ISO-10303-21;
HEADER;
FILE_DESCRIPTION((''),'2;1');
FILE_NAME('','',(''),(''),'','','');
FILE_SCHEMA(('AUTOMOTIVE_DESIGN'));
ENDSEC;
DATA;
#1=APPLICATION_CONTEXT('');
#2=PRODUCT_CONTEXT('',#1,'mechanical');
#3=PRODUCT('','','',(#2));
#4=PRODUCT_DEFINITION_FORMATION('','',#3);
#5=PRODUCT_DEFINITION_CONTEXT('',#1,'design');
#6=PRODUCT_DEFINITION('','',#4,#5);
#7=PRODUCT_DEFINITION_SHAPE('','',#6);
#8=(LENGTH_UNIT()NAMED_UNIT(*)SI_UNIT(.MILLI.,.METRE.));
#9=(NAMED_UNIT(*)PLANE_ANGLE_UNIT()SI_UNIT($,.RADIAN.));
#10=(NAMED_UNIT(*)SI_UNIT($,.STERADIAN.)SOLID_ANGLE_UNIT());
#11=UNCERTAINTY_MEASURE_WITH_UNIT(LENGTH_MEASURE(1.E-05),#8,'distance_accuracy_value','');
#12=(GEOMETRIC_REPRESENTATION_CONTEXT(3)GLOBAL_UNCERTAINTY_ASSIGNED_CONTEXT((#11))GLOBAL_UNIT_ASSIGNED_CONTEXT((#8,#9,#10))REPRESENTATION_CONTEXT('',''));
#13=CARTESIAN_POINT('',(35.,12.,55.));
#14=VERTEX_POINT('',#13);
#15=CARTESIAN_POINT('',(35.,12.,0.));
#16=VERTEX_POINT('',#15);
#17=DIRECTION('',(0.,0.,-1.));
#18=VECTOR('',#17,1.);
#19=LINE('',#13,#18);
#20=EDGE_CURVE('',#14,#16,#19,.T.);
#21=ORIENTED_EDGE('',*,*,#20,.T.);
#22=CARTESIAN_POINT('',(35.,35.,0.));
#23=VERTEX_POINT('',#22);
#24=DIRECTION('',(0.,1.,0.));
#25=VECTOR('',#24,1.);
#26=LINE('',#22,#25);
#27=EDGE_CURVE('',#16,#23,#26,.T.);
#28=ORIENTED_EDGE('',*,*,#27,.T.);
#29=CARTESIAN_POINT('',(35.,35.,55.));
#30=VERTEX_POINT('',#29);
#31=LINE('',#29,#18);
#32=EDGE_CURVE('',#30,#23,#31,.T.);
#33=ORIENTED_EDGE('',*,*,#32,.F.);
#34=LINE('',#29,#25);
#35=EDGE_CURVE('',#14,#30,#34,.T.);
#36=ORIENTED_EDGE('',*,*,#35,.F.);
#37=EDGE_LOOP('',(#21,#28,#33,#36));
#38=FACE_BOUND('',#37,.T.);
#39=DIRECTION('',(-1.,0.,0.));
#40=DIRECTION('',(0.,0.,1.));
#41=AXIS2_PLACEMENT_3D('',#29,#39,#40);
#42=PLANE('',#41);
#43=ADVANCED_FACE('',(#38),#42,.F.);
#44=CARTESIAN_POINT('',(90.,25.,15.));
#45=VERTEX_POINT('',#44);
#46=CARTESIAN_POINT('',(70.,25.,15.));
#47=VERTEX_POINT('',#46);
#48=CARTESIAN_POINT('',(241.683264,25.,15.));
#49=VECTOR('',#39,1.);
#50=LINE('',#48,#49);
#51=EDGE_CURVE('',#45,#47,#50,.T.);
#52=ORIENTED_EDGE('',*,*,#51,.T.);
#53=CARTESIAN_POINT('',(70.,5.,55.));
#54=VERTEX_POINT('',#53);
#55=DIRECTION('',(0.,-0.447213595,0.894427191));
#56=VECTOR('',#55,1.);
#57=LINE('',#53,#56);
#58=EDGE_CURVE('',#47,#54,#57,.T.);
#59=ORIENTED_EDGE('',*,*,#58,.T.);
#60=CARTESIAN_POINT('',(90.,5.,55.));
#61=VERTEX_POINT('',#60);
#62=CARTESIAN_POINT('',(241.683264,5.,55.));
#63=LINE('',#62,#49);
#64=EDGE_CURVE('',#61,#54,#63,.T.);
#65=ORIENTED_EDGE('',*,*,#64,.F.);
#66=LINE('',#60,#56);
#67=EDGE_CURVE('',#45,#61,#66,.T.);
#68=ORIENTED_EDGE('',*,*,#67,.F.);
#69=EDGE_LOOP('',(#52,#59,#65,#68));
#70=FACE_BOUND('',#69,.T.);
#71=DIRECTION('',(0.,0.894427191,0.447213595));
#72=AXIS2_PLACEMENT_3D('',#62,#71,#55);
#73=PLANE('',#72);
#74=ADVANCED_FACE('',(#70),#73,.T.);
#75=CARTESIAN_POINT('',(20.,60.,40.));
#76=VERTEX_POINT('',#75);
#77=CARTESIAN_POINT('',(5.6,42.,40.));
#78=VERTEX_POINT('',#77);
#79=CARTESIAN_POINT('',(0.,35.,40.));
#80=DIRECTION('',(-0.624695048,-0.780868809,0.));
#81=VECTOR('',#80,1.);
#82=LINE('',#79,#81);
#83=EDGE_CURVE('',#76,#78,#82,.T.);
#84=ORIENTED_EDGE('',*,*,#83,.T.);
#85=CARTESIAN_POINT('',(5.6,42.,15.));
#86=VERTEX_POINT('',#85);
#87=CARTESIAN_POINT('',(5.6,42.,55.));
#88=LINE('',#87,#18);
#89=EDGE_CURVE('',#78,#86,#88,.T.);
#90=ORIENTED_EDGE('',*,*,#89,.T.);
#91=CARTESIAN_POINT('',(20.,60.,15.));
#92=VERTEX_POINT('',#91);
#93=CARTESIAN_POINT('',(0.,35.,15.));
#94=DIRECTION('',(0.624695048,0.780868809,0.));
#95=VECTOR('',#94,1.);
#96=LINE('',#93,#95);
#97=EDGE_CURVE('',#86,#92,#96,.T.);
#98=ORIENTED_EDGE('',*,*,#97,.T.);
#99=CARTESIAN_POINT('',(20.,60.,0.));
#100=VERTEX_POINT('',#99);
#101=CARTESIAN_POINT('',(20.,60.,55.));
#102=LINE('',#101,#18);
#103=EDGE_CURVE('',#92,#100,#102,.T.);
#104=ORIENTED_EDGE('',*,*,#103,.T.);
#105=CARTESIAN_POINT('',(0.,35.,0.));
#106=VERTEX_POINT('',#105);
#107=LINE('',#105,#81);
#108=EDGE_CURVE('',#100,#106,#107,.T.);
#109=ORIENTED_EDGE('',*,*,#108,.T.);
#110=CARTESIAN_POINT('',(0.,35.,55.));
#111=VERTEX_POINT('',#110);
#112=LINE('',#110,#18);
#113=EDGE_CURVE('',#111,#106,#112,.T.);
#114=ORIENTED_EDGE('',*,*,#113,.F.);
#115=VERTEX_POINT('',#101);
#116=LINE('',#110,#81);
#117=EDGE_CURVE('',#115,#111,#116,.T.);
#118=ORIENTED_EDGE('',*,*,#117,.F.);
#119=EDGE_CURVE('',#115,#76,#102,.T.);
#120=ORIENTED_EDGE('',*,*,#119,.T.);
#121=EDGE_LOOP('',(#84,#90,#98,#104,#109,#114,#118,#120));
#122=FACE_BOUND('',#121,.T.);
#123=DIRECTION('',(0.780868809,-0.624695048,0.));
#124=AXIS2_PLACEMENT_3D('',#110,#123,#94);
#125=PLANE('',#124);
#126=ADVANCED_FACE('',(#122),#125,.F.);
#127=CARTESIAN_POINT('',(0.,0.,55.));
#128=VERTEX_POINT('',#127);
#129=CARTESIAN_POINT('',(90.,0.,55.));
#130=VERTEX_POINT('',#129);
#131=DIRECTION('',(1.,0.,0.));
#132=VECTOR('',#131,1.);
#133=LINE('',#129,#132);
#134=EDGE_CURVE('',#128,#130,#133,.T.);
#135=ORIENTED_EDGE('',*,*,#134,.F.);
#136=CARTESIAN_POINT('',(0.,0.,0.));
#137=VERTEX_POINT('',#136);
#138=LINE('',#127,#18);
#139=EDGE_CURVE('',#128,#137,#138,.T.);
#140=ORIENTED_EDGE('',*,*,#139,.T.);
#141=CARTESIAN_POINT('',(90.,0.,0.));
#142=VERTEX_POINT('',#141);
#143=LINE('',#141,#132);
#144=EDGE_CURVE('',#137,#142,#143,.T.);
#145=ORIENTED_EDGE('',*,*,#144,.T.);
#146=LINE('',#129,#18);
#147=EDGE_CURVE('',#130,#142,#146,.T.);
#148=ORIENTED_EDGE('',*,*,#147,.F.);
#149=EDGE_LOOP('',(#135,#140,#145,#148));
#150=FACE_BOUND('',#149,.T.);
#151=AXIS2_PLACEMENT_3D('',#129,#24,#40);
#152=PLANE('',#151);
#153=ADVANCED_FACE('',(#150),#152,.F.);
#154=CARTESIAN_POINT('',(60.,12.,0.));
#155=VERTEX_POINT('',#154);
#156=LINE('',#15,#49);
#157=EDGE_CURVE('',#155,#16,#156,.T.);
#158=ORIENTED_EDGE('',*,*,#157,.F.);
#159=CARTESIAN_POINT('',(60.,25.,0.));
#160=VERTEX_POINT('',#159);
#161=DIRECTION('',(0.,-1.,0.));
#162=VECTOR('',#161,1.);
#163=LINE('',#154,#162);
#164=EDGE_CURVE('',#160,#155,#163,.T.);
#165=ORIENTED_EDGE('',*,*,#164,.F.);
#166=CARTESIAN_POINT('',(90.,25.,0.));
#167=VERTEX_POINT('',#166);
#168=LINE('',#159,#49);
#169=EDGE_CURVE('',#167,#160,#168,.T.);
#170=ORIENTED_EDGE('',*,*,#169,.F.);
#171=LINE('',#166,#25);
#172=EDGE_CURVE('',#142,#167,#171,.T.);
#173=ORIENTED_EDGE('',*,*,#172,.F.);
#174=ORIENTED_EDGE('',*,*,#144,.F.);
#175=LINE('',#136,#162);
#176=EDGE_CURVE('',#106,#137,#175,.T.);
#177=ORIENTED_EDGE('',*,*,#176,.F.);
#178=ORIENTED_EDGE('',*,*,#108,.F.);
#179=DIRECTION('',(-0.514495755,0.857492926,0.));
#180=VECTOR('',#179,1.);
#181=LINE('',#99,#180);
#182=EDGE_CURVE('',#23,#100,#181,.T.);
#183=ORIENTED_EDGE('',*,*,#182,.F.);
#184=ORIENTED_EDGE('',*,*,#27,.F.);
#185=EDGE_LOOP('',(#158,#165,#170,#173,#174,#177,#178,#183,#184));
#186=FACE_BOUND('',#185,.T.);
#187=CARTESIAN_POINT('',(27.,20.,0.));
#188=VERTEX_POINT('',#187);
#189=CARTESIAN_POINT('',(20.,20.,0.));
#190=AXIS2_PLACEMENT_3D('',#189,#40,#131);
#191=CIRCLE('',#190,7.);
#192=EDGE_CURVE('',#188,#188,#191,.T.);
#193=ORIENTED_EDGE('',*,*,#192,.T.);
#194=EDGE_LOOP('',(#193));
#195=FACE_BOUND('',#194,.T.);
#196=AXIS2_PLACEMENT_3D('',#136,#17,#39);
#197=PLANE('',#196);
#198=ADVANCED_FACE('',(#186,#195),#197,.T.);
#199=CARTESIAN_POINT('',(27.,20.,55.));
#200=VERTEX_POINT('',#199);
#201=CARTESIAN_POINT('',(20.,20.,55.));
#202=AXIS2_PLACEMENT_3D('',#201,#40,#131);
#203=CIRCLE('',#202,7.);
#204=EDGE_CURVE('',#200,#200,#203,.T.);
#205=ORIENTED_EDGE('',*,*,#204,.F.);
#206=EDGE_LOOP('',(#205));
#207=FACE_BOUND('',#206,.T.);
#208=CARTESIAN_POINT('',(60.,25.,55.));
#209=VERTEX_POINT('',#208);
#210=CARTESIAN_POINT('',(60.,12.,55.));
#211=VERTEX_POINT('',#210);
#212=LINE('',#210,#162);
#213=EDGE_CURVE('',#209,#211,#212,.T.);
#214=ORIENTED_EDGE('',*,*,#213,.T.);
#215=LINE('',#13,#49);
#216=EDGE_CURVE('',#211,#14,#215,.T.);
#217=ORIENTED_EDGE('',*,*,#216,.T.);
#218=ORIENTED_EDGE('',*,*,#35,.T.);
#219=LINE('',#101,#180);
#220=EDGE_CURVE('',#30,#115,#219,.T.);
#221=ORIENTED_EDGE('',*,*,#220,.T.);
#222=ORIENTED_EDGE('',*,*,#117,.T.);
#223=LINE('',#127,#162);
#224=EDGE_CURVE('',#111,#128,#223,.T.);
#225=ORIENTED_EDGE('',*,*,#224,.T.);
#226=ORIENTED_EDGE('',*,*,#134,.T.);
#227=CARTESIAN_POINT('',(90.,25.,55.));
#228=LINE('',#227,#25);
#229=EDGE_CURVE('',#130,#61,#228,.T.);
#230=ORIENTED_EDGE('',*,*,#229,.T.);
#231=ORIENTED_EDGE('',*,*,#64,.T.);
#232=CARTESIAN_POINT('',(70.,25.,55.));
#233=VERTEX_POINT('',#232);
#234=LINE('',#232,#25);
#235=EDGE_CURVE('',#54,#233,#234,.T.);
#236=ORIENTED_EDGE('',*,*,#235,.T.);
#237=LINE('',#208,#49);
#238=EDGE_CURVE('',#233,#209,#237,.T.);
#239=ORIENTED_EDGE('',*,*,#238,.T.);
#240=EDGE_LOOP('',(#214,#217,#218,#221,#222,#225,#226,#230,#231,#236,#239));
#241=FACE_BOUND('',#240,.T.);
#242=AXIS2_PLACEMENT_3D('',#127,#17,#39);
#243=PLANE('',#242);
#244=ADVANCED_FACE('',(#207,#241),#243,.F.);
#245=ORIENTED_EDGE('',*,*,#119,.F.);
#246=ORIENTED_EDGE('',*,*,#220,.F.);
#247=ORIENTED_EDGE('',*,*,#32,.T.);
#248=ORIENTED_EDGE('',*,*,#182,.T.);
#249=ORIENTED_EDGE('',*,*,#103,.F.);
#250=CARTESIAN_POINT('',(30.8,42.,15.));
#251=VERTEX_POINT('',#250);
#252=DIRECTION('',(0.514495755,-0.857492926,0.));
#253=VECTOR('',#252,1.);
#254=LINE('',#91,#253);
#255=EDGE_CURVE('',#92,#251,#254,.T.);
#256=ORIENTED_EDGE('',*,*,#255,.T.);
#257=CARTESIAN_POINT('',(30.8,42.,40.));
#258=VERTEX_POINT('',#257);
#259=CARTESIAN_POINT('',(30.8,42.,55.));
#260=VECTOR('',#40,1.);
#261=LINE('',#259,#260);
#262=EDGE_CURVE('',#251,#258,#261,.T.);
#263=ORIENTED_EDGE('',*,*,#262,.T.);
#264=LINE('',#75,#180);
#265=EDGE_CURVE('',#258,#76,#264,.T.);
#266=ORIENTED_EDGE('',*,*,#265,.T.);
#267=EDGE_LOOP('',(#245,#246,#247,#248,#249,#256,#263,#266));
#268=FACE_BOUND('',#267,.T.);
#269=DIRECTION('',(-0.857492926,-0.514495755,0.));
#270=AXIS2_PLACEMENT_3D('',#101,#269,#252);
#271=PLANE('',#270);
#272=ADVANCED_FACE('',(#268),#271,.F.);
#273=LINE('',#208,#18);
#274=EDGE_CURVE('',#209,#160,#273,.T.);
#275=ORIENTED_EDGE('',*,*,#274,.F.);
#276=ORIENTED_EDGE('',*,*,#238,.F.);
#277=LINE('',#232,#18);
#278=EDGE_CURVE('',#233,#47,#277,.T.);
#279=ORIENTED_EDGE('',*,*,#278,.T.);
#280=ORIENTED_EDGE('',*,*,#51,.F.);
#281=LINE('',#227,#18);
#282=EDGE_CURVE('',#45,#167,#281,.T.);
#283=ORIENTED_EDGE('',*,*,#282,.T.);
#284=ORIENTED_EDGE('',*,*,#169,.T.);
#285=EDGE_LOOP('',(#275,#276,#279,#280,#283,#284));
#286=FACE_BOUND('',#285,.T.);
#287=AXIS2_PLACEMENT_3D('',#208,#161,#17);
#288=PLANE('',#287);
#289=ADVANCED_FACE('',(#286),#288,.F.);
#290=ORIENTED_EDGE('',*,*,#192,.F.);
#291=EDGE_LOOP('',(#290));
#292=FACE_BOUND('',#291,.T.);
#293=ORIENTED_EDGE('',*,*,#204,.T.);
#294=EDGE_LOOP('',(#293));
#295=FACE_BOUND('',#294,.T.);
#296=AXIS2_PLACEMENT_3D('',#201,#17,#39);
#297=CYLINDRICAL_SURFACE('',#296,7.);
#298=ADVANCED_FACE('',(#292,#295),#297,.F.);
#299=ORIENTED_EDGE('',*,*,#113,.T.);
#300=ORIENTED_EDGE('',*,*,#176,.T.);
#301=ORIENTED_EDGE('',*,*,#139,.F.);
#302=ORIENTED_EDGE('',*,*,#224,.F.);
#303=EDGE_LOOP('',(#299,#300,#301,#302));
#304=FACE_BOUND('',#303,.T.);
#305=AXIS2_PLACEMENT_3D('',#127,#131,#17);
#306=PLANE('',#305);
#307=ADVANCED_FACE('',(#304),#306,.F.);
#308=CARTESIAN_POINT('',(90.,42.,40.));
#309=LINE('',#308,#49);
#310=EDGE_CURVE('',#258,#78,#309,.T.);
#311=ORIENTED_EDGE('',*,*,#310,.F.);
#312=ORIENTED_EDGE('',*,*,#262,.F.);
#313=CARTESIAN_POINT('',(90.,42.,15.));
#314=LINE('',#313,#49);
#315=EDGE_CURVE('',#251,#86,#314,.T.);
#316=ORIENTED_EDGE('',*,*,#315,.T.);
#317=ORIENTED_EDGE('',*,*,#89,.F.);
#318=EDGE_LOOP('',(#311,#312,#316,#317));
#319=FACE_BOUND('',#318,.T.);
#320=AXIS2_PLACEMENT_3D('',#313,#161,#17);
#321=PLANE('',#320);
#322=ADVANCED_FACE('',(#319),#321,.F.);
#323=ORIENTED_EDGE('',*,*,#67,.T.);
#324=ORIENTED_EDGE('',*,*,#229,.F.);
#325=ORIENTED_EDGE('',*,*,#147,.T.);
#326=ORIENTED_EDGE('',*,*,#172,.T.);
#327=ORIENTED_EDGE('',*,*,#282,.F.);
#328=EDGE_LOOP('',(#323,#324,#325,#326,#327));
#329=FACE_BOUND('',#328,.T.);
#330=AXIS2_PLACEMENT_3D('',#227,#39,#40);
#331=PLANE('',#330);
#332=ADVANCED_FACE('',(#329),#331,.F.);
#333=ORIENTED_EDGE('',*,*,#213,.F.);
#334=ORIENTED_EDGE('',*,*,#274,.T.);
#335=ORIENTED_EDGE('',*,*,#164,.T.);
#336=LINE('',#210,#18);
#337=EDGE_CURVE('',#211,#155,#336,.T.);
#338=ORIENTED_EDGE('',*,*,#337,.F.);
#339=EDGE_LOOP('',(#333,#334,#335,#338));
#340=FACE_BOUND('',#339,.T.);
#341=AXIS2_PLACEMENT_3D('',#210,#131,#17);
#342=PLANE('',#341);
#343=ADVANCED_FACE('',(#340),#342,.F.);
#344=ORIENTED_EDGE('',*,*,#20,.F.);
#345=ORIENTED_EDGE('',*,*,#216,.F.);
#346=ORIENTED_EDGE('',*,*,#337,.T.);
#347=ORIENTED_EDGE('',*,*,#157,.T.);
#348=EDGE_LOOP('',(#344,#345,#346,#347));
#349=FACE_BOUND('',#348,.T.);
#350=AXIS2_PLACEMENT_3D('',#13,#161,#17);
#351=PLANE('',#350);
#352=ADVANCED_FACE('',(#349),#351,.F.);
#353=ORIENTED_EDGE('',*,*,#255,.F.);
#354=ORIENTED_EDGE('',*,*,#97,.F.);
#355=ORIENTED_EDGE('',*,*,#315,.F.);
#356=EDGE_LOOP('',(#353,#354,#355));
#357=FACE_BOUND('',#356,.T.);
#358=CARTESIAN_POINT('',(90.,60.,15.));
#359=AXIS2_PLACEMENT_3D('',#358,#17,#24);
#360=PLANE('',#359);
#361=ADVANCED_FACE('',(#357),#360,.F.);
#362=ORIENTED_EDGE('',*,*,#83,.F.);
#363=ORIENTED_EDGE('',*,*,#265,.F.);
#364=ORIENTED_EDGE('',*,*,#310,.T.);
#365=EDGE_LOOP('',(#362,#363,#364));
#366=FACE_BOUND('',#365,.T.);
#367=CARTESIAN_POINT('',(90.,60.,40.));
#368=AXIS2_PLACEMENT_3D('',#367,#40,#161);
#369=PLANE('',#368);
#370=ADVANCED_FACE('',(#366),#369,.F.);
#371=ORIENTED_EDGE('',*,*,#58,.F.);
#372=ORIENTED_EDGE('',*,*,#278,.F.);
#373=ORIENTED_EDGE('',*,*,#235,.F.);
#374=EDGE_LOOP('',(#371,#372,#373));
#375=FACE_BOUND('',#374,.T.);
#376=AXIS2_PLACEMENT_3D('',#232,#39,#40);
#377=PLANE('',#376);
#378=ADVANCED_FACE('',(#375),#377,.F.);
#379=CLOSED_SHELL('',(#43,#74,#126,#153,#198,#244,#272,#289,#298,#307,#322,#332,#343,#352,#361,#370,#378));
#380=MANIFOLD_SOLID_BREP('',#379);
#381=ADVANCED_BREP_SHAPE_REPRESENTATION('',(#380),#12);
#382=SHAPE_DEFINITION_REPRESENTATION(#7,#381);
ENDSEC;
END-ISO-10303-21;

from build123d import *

# Parameters (mm, degrees)
SKETCH2_R               = 7
BOSS_EXTRUDE1_DEPTH     = 55
CUT_EXTRUDE1_DEPTH      = 1
CUT_EXTRUDE1_DEPTH_BACK = 20
SKETCH5_W               = 25
SKETCH5_H               = 18
CUT_EXTRUDE2_DEPTH      = 91


with BuildPart() as part:
    # Sketch2 → Boss-Extrude1 (new body)
    with BuildSketch(Plane.XY):
        Polygon((0, 0), (0, 35), (20, 60), (35, 35), (35, 12), (60, 12), (60, 25), (90, 25), (90, 0), align=None)
        with Locations((20, 20)):
            Circle(SKETCH2_R, mode=Mode.SUBTRACT)
    extrude(amount=BOSS_EXTRUDE1_DEPTH)

    # Sketch3 → Cut-Extrude1 (cut, two sides)
    with BuildSketch(Plane(origin=(90, 0, 0), x_dir=(0, 0, -1), z_dir=(1, 0, 0))) as cut_extrude1_sk:
        Polygon((-203.084488957, -69.042244479), (-55, 5), (-15, 25), (133.084488957, 99.042244479), (-15, 395.211222394), (-351.168977915, 227.126733436), align=None)
    extrude(amount=CUT_EXTRUDE1_DEPTH, mode=Mode.SUBTRACT)
    extrude(cut_extrude1_sk.sketch, amount=-CUT_EXTRUDE1_DEPTH_BACK, mode=Mode.SUBTRACT)

    # Sketch5 → Cut-Extrude2 (cut, through all)
    with BuildSketch(Plane.ZY):
        with Locations((27.5, 51)):
            Rectangle(SKETCH5_W, SKETCH5_H)
    extrude(amount=-CUT_EXTRUDE2_DEPTH, mode=Mode.SUBTRACT)


solid = part.part
